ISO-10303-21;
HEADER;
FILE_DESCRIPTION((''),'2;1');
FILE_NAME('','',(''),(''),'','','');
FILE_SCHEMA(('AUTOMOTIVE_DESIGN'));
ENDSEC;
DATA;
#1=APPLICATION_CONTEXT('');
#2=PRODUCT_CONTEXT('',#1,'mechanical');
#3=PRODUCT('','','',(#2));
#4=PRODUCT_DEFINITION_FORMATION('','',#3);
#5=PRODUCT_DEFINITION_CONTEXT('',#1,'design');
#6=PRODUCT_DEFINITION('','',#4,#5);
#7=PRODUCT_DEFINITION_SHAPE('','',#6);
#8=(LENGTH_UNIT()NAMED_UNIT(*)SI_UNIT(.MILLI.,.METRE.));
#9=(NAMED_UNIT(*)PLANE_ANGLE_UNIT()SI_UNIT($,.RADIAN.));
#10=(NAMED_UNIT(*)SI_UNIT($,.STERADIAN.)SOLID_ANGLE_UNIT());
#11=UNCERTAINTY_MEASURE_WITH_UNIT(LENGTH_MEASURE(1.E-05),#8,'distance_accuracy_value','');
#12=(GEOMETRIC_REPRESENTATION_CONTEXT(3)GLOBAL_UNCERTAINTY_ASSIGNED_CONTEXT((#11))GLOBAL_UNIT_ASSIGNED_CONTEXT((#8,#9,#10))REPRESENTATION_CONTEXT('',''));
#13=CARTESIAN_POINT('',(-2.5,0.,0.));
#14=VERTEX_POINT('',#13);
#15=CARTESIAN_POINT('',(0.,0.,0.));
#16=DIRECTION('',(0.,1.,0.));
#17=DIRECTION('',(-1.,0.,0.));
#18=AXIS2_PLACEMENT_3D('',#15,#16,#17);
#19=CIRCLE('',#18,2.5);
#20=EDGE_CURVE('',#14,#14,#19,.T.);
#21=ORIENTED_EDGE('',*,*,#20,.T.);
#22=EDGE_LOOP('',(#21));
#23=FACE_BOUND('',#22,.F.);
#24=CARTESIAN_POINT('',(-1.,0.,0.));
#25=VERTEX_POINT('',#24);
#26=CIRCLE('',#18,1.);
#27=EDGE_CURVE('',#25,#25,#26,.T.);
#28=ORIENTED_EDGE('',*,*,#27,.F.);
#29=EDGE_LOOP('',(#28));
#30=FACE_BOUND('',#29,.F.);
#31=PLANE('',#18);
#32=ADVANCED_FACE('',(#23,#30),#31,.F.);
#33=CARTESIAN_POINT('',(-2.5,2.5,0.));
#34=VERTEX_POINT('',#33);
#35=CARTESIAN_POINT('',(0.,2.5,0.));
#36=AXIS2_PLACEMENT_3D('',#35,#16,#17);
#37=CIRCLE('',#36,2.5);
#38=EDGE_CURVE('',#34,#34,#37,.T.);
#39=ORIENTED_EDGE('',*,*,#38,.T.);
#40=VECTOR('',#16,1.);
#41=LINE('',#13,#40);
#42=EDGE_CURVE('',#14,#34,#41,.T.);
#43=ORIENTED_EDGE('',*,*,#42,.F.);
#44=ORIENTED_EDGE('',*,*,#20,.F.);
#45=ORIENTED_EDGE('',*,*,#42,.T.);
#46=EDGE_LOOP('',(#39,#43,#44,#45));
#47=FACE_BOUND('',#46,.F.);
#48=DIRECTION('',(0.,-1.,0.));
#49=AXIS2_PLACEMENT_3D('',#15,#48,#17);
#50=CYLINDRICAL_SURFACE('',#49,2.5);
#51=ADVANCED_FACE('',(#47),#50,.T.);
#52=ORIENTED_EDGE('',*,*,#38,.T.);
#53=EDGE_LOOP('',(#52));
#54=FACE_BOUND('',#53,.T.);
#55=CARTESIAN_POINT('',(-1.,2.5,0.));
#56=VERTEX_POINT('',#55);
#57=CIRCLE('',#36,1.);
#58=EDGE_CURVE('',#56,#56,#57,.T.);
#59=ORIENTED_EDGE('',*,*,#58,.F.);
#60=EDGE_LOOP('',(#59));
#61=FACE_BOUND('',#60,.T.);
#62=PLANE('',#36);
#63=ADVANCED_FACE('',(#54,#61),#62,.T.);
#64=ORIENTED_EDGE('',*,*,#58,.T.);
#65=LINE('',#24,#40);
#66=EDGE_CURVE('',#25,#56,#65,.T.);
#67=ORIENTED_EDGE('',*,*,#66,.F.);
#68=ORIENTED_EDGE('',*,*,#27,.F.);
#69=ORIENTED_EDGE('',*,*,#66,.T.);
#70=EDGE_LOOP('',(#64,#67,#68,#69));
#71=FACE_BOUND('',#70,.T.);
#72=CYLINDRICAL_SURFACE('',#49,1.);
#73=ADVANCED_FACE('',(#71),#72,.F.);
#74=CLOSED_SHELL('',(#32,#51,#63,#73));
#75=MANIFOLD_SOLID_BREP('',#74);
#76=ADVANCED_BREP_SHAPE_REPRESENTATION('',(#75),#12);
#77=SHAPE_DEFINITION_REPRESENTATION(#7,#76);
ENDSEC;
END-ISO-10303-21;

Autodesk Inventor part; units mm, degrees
ref_plane "YZ Plane" through (0, 0, 0) normal (1, 0, 0) x (0, 1, 0)
ref_plane "XZ Plane" through (0, 0, 0) normal (0, 1, 0) x (-1, 0, 0)
ref_plane "XY Plane" through (0, 0, 0) normal (0, 0, 1) x (1, 0, 0)
sketch "Sketch1" plane through (0, 0, 0) normal (0, 1, 0) x (-1, 0, 0)
  circle A0 centre (0, 0) radius 1
  circle A1 centre (0, 0) radius 2.5
  dimension "d0" = 2
  dimension "d1" = 5
extrude "Extrusion1" add sketch "Sketch1" along normal blind 2.5
properties part number "bearing_2_5_2.5"
